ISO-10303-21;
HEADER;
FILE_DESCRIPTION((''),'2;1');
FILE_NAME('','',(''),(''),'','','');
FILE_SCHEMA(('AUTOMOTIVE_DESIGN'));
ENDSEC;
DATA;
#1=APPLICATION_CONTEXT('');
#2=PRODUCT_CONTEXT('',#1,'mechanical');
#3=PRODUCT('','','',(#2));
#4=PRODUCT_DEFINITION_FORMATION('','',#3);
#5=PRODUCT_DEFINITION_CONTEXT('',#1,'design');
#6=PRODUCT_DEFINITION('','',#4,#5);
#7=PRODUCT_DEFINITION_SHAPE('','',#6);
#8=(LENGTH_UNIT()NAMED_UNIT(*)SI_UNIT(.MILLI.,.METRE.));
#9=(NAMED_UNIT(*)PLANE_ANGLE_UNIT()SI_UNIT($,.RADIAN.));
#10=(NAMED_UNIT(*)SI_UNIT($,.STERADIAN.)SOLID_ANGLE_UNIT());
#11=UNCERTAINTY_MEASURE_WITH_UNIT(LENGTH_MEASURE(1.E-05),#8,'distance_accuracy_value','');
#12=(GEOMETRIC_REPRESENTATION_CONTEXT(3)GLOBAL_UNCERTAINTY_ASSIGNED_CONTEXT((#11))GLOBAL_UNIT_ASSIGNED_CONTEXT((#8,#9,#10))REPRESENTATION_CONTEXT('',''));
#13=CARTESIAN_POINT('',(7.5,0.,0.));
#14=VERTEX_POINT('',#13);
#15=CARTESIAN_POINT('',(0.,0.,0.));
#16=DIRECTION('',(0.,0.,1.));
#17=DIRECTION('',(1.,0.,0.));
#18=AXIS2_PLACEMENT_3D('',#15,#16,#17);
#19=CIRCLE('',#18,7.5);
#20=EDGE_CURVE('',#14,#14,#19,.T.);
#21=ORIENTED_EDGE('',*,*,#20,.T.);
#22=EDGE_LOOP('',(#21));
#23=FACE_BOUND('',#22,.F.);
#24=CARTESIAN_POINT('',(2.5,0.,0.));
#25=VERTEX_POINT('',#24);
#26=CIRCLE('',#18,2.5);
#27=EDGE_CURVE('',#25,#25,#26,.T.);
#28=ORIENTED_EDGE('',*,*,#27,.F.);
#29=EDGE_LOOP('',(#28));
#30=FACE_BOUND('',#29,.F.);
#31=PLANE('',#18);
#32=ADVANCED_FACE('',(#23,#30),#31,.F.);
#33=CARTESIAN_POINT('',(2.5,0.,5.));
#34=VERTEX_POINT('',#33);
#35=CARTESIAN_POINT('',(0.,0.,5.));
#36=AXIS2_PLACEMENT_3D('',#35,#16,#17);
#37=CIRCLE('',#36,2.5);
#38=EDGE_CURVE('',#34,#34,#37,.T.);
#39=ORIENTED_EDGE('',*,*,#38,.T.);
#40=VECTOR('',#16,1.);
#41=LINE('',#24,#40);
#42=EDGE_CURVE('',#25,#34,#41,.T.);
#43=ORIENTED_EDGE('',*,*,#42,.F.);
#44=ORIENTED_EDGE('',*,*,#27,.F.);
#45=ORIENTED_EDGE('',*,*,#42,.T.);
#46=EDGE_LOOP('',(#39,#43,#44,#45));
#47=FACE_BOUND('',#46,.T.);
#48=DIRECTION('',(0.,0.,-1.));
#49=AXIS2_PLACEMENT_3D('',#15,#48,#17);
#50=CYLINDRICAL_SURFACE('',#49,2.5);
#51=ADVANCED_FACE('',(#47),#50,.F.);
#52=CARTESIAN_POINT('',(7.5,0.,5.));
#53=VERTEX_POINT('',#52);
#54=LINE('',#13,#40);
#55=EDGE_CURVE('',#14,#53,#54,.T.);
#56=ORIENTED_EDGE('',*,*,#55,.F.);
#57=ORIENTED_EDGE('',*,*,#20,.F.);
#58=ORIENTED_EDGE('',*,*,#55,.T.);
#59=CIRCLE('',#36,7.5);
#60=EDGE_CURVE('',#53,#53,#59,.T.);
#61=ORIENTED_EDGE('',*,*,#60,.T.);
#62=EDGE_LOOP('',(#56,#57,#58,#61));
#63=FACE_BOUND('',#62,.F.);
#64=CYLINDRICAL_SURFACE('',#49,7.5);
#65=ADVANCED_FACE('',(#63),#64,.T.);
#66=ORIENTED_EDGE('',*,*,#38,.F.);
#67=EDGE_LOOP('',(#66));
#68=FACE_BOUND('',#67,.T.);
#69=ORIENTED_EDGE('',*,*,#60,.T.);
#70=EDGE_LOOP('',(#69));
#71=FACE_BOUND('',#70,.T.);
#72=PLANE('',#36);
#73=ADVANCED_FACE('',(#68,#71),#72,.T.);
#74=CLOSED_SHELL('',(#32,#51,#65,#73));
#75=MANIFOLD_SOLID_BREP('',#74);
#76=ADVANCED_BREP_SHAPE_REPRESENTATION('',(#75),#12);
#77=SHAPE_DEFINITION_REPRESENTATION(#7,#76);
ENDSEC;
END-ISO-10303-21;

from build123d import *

# Parameters (mm, degrees)
F1_R     = 7.5
F1_R_2   = 2.5
F2_DEPTH = 5


with BuildPart() as f2:
    # F1 (on face) → F2 (new body)
    with BuildSketch(Plane.XY):
        Circle(F1_R)
        Circle(F1_R_2, mode=Mode.SUBTRACT)
    extrude(amount=F2_DEPTH)


solid = f2.part
